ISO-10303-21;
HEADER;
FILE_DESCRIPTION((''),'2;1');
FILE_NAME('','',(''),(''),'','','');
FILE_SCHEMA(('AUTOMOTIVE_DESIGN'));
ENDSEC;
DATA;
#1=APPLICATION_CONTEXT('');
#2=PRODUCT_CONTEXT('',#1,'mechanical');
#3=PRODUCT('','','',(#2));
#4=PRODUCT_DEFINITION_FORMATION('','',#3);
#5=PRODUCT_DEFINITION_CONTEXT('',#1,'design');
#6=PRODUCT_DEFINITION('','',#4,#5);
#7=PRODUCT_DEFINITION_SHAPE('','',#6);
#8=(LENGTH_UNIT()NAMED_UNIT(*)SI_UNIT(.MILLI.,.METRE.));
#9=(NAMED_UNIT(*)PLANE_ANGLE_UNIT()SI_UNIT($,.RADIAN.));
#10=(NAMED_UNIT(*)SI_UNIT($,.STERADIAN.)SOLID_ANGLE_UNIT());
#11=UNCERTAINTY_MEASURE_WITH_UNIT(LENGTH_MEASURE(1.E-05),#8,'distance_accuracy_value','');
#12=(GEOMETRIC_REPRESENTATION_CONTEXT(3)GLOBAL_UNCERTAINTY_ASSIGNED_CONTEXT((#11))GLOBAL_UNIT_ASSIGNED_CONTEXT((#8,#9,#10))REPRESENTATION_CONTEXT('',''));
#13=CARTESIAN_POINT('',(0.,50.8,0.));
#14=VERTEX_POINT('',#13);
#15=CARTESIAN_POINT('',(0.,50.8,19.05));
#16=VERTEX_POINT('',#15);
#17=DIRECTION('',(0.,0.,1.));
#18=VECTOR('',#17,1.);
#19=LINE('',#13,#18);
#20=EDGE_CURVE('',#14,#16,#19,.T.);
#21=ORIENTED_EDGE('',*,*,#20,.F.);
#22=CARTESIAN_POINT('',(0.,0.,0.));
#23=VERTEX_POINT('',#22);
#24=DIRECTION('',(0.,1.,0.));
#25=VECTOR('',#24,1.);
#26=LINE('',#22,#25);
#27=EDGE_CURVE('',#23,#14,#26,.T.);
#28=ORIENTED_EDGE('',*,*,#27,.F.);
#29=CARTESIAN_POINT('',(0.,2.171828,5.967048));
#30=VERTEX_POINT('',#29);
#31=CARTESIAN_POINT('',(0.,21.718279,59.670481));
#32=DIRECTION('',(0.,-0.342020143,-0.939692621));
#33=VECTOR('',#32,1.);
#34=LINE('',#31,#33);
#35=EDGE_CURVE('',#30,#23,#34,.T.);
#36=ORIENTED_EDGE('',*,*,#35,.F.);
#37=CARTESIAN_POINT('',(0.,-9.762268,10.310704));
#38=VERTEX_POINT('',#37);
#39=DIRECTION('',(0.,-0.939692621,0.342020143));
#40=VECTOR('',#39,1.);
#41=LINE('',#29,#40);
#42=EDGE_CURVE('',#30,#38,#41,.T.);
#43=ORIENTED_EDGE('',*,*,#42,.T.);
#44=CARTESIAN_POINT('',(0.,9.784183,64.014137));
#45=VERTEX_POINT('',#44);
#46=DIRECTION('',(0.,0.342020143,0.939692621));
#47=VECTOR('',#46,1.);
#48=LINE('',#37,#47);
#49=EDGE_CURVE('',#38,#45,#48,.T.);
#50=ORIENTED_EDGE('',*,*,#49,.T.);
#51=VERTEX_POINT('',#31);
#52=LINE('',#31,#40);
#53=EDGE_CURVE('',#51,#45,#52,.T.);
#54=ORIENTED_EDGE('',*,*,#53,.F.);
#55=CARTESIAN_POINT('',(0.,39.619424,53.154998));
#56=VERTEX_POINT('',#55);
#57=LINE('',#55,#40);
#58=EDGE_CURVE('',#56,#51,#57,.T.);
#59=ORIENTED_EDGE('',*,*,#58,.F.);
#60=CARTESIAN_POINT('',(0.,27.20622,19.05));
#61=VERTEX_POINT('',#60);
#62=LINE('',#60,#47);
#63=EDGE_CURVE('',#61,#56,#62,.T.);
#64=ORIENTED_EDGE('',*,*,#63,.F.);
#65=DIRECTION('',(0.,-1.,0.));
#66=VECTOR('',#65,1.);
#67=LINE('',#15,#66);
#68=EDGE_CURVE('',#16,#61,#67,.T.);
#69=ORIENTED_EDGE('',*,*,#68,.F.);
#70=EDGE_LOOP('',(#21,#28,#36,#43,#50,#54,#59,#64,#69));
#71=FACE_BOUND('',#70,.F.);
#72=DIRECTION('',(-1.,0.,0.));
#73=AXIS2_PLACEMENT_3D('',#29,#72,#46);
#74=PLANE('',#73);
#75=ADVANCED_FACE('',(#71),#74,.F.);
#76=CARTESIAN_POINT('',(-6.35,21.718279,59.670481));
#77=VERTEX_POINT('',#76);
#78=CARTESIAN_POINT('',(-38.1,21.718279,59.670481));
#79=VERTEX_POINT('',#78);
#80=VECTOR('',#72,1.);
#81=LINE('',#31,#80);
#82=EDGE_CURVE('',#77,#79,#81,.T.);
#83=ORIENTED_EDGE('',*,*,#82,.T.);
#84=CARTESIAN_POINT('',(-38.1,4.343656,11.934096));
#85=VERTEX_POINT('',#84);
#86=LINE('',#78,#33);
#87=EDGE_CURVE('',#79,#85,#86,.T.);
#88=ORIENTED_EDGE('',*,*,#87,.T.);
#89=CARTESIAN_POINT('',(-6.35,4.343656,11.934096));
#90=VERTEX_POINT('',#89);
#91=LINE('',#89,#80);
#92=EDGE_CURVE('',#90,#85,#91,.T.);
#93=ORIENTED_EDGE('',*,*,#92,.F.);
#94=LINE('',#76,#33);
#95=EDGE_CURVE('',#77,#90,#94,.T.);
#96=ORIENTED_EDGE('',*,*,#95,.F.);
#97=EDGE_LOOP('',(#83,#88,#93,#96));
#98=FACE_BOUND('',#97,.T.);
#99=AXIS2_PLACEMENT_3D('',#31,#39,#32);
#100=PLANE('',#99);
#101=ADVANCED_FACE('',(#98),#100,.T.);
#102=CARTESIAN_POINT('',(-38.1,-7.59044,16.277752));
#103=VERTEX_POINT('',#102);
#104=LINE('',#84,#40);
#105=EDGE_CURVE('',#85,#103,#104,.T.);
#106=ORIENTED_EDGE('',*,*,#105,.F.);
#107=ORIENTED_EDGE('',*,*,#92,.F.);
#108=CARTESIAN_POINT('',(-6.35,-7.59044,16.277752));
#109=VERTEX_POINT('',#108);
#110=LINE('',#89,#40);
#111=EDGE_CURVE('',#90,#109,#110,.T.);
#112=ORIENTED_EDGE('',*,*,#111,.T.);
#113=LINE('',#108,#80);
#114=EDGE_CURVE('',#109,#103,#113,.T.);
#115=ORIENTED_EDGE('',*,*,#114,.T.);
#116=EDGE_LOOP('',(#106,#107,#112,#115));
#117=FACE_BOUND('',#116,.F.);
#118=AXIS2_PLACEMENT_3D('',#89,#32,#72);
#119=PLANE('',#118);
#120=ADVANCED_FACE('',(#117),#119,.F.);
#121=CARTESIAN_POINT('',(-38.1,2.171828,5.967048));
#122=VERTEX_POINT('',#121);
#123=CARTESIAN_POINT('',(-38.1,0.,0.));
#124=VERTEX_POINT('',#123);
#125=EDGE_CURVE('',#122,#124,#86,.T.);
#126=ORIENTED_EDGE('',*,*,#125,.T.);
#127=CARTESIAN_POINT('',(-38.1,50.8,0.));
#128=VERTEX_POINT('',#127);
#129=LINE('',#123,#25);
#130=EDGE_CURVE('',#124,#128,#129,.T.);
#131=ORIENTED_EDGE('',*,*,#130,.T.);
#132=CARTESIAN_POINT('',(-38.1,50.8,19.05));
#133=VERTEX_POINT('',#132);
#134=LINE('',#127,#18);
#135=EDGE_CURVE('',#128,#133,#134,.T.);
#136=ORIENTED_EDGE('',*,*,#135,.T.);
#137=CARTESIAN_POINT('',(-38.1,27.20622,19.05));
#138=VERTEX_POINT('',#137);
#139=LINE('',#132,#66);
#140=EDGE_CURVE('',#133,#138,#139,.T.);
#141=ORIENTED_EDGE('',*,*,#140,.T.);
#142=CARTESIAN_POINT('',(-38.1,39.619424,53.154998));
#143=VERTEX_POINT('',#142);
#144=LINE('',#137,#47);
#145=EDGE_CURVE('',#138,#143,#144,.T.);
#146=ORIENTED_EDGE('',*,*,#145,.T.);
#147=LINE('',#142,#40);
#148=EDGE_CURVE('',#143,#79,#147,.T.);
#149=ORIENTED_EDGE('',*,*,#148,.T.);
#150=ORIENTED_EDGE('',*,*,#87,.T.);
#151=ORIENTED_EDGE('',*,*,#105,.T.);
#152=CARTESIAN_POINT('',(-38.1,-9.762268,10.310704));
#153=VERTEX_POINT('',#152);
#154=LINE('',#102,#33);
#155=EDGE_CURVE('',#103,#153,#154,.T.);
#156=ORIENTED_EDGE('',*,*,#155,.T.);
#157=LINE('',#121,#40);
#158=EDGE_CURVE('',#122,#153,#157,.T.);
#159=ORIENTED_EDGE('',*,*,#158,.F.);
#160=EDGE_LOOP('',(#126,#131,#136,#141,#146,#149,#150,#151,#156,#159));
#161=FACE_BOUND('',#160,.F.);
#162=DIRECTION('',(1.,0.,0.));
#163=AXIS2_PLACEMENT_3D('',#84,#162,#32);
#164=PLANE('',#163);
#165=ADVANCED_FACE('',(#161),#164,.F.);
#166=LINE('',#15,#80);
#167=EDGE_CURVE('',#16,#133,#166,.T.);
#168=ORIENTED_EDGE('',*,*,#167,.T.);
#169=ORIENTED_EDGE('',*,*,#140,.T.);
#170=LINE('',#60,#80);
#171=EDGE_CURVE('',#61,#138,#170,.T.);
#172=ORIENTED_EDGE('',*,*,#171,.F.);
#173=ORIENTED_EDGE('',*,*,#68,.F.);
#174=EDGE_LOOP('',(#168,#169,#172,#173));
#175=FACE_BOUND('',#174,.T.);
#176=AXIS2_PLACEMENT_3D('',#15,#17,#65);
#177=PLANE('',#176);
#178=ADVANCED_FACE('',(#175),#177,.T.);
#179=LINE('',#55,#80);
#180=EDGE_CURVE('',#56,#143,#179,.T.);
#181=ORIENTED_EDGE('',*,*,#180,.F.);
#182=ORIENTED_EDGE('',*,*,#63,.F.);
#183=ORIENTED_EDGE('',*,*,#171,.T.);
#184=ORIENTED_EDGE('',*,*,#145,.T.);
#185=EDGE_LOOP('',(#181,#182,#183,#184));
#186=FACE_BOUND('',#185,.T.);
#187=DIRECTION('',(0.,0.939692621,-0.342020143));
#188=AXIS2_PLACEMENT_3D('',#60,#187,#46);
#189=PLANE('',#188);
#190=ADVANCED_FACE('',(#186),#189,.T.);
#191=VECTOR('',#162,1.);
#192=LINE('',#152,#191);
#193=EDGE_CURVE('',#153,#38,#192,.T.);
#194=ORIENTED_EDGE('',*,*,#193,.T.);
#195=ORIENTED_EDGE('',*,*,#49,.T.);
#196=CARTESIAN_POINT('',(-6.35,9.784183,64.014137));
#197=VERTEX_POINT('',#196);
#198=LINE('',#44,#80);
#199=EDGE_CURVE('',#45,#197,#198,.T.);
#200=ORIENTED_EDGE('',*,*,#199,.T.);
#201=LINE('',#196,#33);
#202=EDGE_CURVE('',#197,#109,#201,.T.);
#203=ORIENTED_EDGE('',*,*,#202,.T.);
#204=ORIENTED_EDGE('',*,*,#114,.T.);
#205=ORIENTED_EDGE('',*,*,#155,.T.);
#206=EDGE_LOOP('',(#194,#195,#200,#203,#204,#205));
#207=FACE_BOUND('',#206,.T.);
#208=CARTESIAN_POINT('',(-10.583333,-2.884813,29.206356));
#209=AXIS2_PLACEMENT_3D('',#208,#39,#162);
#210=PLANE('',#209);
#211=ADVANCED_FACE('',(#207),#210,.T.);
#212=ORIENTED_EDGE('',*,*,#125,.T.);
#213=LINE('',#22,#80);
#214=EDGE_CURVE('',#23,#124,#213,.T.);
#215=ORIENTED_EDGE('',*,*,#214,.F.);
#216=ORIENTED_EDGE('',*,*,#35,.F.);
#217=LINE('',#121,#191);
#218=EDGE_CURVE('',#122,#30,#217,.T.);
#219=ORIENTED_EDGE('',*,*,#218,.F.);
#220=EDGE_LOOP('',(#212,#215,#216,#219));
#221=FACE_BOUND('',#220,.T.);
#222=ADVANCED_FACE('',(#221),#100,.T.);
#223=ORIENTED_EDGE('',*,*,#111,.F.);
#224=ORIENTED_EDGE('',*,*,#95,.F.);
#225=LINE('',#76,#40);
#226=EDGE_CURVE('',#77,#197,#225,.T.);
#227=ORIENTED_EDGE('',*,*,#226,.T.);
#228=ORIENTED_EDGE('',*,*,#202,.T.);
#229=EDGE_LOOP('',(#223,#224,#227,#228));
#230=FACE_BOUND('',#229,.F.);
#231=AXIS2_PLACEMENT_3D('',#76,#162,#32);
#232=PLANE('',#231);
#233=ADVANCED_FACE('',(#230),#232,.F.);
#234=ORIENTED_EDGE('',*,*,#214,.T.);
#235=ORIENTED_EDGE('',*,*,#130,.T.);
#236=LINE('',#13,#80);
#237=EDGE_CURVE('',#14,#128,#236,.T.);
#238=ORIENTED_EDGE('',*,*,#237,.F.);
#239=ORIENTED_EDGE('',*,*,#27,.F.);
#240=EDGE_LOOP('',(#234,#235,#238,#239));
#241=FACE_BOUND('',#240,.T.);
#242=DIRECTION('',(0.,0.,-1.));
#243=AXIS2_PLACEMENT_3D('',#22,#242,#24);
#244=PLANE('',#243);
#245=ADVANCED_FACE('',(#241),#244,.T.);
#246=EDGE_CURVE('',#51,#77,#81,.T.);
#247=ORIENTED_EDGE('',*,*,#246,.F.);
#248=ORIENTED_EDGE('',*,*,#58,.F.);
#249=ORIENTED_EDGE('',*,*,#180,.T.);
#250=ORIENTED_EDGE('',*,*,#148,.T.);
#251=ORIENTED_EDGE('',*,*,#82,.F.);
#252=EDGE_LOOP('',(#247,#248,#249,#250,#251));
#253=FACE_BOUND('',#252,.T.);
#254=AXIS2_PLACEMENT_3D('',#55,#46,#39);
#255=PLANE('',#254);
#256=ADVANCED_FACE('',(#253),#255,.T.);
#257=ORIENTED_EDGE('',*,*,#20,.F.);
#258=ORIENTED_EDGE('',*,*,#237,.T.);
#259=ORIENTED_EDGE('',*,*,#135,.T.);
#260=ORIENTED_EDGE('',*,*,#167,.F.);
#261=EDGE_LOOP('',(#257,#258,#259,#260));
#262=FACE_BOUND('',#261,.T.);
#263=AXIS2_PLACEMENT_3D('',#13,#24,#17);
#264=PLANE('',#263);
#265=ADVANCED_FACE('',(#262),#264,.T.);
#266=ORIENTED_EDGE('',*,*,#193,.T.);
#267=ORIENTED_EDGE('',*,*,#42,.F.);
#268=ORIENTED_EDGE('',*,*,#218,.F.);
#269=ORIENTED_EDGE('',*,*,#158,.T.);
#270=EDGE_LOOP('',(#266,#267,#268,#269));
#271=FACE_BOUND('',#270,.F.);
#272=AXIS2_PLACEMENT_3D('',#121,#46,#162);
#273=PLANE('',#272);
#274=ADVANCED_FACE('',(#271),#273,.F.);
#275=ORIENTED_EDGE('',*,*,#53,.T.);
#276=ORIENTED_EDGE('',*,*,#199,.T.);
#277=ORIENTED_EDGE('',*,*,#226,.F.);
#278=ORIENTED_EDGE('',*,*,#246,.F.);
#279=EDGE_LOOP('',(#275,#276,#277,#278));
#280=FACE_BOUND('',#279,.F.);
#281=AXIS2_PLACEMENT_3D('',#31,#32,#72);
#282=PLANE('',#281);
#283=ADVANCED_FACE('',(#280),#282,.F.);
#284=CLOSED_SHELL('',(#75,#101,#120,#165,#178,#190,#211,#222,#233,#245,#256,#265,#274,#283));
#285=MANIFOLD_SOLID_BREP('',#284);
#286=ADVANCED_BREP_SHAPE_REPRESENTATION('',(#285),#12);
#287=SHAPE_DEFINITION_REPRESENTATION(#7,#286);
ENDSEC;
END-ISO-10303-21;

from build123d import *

# Parameters (mm, degrees)
F1_DEPTH = 38.1
F3_DEPTH = 12.7


with BuildPart() as f1:
    # F0 (on Right) → F1 (new body)
    with BuildSketch(Plane.YZ):
        Polygon((21.7182791012, 59.6704814199), (0, 0), (50.8, 0), (50.8, 19.05), (27.2062195284, 19.05), (39.6194235272, 53.1549976896), align=None)
    extrude(amount=-F1_DEPTH)

    # F2 (on face) → F3 (join)
    with BuildSketch(Plane(origin=(0, 0, 0), x_dir=(1, 0, 0), z_dir=(0, -0.9396926208, 0.3420201433))):
        Polygon((0, 6.35), (0, 63.5), (-6.35, 63.5), (-6.35, 12.7), (-38.1, 12.7), (-38.1, 6.35), align=None)
    extrude(amount=F3_DEPTH)


solid = f1.part
